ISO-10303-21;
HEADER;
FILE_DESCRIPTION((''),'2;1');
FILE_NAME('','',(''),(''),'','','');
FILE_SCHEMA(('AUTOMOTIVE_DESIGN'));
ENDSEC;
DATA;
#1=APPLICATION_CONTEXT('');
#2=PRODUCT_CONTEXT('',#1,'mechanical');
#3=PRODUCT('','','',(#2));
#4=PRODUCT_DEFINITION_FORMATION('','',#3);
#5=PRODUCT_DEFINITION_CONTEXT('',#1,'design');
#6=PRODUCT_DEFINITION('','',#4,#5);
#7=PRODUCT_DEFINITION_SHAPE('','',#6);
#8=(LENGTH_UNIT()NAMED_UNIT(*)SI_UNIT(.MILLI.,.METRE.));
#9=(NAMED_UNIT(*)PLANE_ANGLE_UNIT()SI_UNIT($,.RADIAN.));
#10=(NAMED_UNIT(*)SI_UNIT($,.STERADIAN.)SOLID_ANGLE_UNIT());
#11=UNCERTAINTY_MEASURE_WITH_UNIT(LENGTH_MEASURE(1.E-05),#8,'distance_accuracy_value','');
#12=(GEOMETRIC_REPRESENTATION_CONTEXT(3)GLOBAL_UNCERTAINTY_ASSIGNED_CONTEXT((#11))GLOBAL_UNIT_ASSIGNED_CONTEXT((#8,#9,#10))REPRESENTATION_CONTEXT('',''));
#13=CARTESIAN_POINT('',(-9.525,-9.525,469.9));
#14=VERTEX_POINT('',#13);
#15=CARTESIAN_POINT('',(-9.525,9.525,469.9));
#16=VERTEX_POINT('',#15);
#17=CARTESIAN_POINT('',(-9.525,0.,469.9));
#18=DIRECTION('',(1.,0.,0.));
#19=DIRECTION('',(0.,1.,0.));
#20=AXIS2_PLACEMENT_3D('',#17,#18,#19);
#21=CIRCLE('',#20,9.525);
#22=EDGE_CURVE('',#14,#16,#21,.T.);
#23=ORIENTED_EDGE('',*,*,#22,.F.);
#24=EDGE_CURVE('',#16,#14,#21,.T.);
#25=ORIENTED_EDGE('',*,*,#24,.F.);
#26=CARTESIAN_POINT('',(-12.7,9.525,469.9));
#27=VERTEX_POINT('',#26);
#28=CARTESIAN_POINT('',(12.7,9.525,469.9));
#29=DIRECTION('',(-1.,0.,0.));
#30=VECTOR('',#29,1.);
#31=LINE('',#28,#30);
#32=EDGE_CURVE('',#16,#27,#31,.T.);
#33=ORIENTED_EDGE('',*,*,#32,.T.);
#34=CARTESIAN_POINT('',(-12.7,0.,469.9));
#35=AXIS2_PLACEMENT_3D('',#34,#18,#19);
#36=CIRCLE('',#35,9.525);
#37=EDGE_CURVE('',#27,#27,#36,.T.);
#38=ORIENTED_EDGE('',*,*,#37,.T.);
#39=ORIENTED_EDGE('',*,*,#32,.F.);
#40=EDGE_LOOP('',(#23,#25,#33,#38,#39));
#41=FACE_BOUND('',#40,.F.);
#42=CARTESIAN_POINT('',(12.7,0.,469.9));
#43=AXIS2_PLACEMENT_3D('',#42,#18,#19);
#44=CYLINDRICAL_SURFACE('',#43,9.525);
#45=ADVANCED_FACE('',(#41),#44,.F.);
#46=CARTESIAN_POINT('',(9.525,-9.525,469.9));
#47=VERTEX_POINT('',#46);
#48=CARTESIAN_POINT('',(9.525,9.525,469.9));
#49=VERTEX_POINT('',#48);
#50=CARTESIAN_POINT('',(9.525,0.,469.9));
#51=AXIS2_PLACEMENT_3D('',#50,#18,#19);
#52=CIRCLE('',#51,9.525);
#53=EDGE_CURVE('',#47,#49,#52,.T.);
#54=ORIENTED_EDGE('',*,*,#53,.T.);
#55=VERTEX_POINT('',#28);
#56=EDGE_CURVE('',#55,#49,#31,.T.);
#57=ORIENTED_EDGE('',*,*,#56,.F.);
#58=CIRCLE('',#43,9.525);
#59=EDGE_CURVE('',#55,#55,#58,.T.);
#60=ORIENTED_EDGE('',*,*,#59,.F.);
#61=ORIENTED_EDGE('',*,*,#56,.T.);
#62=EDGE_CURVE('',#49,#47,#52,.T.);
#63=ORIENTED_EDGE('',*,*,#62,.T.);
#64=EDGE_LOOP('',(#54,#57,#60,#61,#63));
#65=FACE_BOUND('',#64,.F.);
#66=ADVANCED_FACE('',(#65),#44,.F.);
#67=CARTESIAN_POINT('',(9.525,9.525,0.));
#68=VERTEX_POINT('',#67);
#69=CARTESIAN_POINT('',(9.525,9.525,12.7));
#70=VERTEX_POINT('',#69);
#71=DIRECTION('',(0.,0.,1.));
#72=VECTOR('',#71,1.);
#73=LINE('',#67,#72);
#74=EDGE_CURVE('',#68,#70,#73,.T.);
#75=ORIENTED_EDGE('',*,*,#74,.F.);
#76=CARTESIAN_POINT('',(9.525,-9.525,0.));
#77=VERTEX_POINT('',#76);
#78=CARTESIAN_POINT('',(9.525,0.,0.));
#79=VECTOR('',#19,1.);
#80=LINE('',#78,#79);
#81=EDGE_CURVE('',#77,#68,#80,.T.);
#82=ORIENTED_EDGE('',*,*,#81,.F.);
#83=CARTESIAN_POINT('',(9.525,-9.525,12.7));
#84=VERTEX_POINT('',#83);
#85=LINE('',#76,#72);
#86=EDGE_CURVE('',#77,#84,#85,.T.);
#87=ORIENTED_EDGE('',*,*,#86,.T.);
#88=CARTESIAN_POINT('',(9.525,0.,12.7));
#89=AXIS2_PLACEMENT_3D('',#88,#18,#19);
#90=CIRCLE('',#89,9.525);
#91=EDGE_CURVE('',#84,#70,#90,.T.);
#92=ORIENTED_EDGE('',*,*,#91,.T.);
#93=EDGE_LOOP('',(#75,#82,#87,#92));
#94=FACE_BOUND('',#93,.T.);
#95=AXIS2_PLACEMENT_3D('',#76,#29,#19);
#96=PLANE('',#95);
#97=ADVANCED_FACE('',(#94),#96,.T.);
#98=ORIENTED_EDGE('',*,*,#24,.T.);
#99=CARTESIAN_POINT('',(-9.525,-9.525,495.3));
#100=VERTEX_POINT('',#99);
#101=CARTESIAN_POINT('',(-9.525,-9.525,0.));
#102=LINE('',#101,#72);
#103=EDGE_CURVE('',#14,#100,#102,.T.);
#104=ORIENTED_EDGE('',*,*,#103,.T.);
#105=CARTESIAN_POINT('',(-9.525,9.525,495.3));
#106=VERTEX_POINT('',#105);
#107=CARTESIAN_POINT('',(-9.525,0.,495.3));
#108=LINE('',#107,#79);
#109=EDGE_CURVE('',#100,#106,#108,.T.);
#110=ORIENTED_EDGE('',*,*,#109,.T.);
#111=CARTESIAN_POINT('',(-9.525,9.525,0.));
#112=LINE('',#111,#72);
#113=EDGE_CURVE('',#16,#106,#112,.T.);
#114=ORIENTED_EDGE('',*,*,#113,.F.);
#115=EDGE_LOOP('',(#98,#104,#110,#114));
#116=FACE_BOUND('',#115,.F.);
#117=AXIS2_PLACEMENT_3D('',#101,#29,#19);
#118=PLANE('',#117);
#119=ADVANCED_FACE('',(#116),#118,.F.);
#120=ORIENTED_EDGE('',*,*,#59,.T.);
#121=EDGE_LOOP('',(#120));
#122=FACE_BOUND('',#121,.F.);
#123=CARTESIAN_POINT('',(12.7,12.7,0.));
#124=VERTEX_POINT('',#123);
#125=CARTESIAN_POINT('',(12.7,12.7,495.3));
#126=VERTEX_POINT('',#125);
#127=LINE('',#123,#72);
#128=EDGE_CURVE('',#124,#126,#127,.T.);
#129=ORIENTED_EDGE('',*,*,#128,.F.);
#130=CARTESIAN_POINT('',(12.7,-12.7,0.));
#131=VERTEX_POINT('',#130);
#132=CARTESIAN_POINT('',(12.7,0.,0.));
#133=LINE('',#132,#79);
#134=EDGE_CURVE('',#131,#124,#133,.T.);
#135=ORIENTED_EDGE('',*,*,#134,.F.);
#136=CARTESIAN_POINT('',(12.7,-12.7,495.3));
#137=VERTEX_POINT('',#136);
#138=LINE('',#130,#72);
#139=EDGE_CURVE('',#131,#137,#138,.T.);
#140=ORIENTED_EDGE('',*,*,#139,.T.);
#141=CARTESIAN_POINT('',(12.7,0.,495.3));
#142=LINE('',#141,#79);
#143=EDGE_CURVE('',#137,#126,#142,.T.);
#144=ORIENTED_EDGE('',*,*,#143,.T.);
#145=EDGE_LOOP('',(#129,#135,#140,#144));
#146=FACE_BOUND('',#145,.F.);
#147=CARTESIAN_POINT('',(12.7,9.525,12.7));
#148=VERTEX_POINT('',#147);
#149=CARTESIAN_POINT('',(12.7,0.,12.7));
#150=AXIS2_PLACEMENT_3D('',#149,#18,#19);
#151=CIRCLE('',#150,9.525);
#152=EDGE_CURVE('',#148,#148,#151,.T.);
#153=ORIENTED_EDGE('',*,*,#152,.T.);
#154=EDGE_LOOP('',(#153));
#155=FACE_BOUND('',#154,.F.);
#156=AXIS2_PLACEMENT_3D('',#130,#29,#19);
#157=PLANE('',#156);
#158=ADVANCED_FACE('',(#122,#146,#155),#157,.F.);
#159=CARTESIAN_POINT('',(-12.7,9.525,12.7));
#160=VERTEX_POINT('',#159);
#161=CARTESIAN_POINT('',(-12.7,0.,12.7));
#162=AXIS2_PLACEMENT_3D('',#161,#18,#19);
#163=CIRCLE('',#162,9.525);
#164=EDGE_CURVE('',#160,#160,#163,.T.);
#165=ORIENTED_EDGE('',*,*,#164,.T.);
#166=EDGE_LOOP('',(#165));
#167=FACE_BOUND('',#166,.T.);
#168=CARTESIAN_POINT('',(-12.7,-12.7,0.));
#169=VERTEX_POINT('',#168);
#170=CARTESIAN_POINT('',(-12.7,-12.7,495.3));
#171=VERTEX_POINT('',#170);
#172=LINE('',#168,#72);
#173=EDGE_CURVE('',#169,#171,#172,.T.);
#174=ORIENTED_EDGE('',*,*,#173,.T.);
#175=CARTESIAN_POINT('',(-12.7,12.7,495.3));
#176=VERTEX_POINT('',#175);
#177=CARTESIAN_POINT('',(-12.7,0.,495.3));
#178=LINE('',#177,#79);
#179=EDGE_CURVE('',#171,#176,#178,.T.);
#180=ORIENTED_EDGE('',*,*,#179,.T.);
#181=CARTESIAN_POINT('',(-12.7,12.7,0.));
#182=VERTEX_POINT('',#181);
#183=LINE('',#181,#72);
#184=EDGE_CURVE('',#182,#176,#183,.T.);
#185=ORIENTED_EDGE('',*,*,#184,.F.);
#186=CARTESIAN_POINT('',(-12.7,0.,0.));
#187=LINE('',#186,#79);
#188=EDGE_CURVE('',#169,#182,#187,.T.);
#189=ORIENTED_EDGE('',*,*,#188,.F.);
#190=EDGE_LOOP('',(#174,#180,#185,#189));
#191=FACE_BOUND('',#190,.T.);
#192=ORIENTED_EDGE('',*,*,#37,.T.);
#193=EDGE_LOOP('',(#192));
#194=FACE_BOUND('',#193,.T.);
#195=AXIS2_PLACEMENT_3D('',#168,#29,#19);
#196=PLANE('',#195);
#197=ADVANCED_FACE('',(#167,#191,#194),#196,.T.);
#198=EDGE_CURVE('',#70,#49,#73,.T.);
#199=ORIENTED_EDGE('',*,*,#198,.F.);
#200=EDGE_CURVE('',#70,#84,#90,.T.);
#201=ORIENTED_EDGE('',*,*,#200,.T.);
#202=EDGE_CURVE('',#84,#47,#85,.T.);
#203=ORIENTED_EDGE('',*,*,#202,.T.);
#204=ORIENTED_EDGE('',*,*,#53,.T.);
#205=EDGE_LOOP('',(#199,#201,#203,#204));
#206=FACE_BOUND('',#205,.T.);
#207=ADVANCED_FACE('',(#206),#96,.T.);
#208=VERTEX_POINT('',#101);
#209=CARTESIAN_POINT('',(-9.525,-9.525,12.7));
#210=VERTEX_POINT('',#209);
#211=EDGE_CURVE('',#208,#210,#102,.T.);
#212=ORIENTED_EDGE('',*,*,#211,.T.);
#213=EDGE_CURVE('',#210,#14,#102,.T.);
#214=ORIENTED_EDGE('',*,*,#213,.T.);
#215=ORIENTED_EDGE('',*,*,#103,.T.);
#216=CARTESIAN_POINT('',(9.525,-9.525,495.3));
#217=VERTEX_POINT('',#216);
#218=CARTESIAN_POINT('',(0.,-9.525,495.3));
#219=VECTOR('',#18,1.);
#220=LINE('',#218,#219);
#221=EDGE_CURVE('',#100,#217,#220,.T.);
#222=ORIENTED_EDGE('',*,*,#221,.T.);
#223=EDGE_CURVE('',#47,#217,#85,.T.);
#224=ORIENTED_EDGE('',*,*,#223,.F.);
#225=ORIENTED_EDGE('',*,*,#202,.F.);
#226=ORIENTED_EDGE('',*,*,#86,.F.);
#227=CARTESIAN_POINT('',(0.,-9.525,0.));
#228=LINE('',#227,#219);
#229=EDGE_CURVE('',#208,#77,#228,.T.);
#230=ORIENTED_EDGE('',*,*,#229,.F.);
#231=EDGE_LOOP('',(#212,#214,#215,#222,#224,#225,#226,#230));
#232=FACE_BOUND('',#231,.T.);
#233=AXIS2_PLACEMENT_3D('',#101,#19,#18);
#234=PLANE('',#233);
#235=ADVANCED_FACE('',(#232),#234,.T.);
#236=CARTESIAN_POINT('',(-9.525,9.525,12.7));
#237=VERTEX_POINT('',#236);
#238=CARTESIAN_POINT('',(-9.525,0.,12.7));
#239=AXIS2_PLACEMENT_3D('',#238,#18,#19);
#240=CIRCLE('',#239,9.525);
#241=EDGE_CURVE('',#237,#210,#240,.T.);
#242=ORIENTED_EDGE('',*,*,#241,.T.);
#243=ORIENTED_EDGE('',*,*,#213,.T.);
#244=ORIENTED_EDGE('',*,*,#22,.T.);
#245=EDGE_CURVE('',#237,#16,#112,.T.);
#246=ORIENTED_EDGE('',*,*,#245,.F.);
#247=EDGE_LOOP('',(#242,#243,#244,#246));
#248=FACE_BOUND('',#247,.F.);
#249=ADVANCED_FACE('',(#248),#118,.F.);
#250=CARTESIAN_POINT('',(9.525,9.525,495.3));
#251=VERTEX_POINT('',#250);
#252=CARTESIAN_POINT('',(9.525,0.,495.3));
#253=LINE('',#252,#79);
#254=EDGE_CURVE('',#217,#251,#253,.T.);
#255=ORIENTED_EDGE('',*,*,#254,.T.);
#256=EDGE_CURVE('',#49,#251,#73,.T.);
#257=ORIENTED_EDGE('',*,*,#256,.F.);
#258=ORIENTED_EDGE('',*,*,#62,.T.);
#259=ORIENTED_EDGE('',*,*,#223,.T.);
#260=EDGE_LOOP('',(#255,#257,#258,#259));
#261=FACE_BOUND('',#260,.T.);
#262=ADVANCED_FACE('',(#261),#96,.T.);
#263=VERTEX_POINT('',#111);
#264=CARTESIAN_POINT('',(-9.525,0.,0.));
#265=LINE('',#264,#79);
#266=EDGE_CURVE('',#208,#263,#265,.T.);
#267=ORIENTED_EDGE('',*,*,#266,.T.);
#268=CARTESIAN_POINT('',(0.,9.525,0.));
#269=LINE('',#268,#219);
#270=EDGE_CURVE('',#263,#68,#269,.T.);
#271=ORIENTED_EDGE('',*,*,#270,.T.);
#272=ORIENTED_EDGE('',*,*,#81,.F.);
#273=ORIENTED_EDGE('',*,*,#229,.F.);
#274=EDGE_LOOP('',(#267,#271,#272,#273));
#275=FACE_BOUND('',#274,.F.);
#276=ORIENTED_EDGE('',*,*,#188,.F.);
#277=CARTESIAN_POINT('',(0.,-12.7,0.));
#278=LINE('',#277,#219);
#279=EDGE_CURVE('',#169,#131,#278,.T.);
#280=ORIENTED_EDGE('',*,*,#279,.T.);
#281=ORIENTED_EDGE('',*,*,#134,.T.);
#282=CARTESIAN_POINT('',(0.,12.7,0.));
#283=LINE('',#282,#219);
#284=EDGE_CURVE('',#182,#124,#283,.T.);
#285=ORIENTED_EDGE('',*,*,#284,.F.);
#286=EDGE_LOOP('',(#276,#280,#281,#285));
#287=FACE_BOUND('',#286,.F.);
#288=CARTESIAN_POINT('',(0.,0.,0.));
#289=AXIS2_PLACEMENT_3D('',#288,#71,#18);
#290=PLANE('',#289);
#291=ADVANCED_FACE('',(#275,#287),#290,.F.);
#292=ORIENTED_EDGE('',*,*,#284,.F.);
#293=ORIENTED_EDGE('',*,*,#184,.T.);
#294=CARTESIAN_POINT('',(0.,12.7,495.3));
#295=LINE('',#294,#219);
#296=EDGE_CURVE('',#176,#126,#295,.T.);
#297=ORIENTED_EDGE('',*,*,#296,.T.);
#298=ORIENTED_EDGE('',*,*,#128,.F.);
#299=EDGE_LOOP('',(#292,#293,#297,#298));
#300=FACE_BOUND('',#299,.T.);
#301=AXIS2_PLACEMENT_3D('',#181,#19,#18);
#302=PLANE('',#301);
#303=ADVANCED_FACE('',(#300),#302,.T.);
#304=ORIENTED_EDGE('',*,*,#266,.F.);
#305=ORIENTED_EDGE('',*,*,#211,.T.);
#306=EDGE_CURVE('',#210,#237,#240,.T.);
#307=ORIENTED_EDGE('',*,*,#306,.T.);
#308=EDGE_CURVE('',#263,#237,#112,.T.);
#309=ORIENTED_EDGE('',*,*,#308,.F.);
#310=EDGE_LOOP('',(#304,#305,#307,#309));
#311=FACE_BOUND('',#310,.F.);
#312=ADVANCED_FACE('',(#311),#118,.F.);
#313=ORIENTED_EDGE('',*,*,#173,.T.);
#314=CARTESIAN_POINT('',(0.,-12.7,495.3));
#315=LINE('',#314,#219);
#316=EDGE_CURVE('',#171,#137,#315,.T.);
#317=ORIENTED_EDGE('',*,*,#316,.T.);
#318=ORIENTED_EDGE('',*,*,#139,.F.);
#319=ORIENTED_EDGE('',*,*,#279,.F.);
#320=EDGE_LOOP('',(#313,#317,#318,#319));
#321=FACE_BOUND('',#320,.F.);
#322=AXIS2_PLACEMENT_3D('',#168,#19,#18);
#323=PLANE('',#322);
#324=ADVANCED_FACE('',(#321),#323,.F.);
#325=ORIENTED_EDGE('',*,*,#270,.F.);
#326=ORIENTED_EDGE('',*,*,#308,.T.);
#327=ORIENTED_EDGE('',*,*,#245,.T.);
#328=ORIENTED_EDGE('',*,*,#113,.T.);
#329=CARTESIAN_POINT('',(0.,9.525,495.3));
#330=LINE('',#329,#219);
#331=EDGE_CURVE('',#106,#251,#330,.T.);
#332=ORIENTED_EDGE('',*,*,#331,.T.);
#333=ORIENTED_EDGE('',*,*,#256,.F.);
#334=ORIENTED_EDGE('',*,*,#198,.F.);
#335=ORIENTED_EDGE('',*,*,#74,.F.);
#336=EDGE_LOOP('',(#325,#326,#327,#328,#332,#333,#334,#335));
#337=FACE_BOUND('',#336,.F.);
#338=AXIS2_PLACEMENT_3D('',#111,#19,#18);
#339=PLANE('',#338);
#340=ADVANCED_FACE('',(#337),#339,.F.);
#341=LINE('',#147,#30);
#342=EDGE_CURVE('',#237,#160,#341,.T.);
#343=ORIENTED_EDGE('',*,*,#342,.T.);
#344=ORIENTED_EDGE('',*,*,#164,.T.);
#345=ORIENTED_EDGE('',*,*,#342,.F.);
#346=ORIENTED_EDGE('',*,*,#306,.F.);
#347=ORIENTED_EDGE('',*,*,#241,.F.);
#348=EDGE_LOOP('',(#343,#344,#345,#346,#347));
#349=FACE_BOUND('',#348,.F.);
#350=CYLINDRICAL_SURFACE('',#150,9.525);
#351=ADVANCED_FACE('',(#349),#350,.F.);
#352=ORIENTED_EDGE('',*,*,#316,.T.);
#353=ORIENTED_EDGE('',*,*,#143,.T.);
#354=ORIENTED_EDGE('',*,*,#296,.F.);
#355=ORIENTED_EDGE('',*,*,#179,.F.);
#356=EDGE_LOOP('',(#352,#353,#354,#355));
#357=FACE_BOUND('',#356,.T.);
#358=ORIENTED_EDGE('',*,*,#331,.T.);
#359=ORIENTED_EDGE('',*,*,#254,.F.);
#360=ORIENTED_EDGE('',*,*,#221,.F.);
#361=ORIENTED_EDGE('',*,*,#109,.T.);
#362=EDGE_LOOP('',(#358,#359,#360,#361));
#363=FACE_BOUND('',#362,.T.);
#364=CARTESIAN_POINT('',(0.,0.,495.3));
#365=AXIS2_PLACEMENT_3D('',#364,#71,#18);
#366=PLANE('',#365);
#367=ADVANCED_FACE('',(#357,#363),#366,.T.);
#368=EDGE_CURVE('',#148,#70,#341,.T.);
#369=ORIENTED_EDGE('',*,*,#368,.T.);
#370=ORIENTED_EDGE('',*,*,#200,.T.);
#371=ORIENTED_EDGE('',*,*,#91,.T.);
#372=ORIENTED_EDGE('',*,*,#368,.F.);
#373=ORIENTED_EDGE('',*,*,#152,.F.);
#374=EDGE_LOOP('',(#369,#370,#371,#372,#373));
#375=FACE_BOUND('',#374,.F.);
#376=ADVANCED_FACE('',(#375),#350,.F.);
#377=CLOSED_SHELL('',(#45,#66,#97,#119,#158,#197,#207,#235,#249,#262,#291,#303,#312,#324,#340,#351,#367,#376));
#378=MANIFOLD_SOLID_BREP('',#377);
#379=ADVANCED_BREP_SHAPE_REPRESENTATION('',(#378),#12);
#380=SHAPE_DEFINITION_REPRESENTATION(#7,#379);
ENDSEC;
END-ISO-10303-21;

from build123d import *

# Parameters (mm, degrees)
F0_W     = 25.4
F0_H     = 25.4
F0_W_2   = 19.05
F0_H_2   = 19.05
F1_DEPTH = 495.3
F2_R     = 9.525
F3_DEPTH = 25.4
F4_R     = 9.525
F5_DEPTH = 25.4


with BuildPart() as f1:
    # F0 (on Top) → F1 (new body)
    with BuildSketch(Plane.XY):
        Rectangle(F0_W, F0_H)
        Rectangle(F0_W_2, F0_H_2, mode=Mode.SUBTRACT)
    extrude(amount=F1_DEPTH)

    # F2 (on face) → F3 (cut)
    with BuildSketch(Plane.YZ.offset(12.7)):
        with Locations((0, 469.9)):
            Circle(F2_R)
    extrude(amount=-F3_DEPTH, mode=Mode.SUBTRACT)

    # F4 (on face) → F5 (cut)
    with BuildSketch(Plane.YZ.offset(12.7)):
        with Locations((0, 12.7)):
            Circle(F4_R)
    extrude(amount=-F5_DEPTH, mode=Mode.SUBTRACT)


solid = f1.part
